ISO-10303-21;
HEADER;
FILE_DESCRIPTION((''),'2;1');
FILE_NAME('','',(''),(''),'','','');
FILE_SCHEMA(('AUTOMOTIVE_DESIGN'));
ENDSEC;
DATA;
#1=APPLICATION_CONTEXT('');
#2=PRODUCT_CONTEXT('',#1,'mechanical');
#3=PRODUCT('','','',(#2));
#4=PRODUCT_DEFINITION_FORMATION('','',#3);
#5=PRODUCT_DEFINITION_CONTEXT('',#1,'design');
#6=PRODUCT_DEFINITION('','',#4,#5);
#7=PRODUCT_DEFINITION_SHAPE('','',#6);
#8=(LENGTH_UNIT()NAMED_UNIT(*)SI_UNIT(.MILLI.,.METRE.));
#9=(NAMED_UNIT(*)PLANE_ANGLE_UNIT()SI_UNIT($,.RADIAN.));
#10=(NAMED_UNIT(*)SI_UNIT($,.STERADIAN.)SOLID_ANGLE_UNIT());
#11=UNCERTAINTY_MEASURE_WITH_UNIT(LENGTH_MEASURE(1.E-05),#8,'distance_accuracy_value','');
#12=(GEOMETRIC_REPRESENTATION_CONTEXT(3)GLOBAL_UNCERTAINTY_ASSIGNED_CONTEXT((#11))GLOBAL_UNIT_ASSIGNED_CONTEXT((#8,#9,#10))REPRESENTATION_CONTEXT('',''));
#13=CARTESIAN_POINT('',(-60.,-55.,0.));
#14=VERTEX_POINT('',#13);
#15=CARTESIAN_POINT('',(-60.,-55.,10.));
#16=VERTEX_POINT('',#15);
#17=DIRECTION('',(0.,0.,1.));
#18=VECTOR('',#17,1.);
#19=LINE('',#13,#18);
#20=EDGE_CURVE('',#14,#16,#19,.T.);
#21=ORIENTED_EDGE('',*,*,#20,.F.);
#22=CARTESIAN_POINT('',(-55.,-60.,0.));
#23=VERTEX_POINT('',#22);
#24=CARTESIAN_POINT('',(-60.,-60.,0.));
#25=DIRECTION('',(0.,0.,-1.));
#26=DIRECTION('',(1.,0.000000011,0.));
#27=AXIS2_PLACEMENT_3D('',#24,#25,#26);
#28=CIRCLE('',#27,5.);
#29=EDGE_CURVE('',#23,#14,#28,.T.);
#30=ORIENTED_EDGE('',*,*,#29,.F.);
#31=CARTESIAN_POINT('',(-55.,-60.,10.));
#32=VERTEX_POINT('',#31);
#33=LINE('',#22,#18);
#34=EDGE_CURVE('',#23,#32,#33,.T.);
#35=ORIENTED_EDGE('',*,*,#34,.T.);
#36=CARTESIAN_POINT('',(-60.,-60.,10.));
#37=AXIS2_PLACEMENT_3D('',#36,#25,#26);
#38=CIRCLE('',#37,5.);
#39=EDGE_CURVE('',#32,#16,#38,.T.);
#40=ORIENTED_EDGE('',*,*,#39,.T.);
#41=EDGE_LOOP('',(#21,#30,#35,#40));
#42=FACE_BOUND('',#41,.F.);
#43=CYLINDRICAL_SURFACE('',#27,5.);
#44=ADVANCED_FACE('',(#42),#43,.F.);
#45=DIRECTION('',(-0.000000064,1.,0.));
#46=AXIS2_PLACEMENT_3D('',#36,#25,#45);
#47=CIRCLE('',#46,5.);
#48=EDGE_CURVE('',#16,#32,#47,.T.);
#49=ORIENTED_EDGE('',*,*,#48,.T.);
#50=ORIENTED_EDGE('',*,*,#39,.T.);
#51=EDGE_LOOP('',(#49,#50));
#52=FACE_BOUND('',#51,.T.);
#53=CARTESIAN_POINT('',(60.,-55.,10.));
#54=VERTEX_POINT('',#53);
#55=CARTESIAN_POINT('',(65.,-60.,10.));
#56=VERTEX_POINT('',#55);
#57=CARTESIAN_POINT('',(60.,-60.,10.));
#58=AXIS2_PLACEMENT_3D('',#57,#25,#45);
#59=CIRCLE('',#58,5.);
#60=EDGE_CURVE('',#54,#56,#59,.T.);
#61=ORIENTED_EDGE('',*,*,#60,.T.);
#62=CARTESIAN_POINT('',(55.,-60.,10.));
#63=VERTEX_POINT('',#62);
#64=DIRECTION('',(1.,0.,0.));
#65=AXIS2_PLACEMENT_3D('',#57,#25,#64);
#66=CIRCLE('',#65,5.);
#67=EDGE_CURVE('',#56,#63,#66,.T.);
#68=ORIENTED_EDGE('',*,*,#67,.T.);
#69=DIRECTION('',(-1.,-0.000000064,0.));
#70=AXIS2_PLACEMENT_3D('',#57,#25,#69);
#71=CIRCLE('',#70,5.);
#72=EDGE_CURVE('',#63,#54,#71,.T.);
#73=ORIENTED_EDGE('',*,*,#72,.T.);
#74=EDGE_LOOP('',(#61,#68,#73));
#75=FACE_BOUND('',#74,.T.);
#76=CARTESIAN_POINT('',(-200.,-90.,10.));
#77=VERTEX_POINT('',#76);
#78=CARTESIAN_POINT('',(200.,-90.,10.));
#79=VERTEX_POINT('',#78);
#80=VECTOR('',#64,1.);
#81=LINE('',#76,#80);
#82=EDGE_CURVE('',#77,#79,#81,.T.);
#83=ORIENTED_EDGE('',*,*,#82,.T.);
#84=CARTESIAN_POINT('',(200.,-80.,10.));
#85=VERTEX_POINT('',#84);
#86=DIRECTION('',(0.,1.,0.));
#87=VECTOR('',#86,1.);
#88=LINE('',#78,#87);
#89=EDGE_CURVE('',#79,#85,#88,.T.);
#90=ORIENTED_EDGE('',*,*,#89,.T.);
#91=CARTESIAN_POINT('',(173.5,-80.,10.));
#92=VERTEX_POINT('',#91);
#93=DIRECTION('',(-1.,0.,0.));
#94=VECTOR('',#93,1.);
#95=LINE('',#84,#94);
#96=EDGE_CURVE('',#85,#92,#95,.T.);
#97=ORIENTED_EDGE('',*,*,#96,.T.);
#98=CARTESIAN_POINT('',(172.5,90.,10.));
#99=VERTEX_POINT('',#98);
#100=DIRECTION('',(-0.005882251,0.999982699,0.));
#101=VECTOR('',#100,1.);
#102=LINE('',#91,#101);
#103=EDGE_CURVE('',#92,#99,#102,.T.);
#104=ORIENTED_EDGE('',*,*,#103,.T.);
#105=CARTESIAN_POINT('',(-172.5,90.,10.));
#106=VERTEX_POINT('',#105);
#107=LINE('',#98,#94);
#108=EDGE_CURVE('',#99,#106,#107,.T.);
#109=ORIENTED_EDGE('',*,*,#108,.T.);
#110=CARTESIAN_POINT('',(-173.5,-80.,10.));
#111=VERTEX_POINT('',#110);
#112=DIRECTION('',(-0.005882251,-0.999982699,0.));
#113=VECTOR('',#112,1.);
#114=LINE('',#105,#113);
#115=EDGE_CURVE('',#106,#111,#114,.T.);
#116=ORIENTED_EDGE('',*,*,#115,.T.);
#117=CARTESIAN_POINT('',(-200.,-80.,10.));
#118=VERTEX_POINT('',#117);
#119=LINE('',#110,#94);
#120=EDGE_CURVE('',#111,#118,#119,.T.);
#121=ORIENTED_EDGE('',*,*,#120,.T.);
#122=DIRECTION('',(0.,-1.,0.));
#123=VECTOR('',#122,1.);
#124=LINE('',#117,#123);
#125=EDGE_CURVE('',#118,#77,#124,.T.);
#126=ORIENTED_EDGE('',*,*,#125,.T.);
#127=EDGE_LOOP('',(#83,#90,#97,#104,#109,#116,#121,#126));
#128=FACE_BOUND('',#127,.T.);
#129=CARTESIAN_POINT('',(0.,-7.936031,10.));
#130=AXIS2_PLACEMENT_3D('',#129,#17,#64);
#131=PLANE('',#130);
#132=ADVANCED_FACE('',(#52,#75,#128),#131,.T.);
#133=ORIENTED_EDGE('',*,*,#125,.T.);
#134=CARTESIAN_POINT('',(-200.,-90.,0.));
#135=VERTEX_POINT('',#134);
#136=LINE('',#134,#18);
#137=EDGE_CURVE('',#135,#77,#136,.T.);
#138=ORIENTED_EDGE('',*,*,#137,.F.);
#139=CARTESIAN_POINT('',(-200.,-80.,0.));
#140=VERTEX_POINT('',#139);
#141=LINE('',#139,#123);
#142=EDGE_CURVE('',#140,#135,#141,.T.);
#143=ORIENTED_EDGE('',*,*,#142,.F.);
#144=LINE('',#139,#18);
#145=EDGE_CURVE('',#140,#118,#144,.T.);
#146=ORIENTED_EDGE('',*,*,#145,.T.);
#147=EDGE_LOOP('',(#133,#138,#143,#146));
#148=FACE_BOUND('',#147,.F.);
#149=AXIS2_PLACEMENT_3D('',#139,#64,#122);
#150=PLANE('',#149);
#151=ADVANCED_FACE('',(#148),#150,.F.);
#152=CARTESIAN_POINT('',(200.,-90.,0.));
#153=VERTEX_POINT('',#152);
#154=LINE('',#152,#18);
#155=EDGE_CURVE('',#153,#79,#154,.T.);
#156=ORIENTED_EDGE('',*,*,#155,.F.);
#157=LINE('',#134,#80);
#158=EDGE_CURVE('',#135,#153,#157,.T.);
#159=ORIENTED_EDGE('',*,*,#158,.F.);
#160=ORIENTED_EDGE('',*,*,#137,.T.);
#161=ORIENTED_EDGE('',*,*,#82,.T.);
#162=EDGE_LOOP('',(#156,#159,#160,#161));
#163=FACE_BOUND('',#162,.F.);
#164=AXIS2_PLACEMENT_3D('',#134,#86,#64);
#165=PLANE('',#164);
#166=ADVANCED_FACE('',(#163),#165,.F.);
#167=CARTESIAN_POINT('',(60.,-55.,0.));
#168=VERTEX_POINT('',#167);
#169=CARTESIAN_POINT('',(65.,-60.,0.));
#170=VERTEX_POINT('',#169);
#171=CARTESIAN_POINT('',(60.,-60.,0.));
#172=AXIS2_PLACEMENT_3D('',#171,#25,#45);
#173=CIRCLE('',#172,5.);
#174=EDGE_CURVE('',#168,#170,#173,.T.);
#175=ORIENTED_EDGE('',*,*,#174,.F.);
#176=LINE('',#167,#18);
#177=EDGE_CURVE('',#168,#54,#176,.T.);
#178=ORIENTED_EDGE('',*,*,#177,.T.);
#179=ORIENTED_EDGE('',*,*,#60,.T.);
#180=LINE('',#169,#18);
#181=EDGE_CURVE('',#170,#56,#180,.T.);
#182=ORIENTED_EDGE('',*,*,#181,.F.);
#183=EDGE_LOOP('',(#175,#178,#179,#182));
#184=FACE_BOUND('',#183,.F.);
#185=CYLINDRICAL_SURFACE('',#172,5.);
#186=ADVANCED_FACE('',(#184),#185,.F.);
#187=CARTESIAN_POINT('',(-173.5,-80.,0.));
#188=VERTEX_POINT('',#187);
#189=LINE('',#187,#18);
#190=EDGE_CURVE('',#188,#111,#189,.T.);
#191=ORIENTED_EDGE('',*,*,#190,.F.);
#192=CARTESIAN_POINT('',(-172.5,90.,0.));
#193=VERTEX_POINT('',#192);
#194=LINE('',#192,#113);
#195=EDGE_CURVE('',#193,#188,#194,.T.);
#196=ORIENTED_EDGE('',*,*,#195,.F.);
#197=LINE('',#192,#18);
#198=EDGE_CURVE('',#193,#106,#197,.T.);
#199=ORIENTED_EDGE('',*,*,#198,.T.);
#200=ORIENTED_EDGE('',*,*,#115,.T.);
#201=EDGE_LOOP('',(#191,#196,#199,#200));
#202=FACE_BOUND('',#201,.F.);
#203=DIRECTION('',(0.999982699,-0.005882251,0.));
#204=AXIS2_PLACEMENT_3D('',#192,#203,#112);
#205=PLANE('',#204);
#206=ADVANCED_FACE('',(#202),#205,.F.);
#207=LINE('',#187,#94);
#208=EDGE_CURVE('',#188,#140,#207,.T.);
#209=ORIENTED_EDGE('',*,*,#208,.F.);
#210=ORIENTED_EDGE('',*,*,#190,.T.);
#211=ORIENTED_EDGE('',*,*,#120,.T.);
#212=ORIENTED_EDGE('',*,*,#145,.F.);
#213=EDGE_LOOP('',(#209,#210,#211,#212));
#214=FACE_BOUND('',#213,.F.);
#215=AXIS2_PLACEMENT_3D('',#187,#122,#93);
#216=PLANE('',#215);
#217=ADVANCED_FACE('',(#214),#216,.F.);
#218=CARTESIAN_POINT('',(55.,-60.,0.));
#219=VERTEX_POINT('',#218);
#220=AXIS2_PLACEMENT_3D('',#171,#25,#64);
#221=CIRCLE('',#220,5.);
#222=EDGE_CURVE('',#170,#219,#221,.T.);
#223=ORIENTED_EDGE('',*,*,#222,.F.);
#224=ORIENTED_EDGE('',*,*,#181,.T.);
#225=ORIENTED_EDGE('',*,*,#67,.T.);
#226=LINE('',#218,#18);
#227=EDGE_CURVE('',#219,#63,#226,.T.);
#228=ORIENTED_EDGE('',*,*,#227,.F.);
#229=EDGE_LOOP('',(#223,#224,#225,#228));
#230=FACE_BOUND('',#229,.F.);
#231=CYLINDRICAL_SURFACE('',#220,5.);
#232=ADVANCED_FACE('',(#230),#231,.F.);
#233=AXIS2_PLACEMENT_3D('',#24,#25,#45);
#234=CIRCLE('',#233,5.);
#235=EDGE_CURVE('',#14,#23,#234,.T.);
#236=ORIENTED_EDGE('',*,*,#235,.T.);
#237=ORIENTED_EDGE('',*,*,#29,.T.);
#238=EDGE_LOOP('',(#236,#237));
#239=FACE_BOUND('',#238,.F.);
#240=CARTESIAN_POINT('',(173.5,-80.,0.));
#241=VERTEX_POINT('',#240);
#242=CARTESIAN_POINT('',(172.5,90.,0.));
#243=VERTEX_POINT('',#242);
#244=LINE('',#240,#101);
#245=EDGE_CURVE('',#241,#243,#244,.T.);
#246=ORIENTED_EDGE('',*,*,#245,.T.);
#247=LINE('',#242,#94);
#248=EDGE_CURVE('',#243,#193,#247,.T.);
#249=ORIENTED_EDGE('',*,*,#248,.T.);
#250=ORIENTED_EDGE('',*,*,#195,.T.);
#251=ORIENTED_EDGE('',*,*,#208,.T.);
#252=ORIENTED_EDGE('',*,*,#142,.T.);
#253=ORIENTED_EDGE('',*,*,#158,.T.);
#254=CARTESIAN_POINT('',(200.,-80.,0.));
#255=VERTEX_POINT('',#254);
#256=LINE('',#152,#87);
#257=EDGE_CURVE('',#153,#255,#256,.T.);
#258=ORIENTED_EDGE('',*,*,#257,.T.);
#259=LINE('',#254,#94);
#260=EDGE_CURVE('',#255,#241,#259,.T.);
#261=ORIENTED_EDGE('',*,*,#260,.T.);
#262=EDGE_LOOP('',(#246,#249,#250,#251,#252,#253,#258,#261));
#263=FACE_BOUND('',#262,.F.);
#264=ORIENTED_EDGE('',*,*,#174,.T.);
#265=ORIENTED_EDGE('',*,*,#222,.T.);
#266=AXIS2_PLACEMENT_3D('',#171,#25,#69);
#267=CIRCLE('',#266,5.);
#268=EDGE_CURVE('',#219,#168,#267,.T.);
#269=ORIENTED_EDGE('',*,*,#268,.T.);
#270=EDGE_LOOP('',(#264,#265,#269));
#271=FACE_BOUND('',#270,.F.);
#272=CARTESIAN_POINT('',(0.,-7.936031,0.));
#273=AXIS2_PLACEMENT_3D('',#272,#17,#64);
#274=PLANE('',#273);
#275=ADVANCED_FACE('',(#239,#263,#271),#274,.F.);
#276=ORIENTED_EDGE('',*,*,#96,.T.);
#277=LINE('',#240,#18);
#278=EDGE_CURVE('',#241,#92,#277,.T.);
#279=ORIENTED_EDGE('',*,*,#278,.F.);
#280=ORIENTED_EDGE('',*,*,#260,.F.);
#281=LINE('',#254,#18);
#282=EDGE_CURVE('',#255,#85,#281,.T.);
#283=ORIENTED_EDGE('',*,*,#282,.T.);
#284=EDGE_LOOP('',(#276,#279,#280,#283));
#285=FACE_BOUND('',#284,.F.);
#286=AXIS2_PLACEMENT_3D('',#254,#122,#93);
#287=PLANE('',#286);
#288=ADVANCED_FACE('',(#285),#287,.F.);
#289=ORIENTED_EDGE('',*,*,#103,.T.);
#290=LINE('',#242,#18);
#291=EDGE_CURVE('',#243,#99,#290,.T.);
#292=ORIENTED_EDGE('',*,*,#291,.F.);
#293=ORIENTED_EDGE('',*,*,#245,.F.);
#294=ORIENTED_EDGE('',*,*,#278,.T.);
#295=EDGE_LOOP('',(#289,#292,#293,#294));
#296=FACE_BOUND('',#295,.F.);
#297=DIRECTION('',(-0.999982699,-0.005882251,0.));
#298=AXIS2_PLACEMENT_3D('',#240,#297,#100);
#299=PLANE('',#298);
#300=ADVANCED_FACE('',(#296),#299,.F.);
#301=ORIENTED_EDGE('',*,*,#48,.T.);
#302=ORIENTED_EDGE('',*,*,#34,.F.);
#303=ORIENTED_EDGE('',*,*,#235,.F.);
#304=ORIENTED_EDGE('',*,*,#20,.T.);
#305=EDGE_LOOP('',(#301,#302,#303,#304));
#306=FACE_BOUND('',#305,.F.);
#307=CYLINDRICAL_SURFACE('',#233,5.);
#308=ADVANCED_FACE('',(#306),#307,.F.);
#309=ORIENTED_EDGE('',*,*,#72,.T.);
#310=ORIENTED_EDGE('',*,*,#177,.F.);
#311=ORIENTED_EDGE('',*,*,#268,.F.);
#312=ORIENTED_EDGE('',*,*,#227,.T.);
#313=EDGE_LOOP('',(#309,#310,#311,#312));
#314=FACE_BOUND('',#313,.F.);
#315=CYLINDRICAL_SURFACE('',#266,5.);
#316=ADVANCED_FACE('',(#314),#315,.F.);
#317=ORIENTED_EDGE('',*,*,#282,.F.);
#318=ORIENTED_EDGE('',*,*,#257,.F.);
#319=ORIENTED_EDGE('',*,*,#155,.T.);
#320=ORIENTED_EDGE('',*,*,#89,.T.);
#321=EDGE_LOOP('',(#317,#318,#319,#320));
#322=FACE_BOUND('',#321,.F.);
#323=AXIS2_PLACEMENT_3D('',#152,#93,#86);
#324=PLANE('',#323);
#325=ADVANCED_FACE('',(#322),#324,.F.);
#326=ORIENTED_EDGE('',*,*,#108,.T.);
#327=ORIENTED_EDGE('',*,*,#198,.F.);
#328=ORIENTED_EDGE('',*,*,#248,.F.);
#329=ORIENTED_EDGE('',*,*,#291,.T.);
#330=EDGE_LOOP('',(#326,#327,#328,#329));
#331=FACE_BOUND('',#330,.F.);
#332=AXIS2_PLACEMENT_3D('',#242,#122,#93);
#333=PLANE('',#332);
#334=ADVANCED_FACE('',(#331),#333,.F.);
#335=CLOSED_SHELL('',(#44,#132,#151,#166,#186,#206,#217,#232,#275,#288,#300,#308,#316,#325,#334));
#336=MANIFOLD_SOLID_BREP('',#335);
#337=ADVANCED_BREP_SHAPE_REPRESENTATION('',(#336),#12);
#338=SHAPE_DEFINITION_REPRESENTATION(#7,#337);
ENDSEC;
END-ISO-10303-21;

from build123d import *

# Parameters (mm, degrees)
F1_DEPTH = 10


with BuildPart() as f1:
    # F0 (on Top) → F1 (new body)
    with BuildSketch(Plane.XY):
        Polygon((173.5, -80), (172.5, 90), (-172.5, 90), (-173.5, -80), (-200, -80), (-200, -90), (200, -90), (200, -80), align=None)
        with BuildLine():
            Line((55, -60), (-55, -60))
            ThreePointArc((-55, -60), (-63.535534, -63.535534), (-60, -55))
            Line((-60, -55), (-60, 60))
            Line((-60, 60), (60, 60))
            Line((60, 60), (60, -55))
            ThreePointArc((60, -55), (63.535534, -56.464466), (65, -60))
            ThreePointArc((65, -60), (60, -65), (55, -60))
        make_face(mode=Mode.SUBTRACT)
        with BuildLine():
            ThreePointArc((-60, -55), (-56.464466, -56.464466), (-55, -60))
            Line((-55, -60), (55, -60))
            ThreePointArc((55, -60), (56.464466, -56.464466), (60, -55))
            Line((60, -55), (60, 60))
            Line((60, 60), (-60, 60))
            Line((-60, 60), (-60, -55))
        make_face()
    extrude(amount=F1_DEPTH)


solid = f1.part
